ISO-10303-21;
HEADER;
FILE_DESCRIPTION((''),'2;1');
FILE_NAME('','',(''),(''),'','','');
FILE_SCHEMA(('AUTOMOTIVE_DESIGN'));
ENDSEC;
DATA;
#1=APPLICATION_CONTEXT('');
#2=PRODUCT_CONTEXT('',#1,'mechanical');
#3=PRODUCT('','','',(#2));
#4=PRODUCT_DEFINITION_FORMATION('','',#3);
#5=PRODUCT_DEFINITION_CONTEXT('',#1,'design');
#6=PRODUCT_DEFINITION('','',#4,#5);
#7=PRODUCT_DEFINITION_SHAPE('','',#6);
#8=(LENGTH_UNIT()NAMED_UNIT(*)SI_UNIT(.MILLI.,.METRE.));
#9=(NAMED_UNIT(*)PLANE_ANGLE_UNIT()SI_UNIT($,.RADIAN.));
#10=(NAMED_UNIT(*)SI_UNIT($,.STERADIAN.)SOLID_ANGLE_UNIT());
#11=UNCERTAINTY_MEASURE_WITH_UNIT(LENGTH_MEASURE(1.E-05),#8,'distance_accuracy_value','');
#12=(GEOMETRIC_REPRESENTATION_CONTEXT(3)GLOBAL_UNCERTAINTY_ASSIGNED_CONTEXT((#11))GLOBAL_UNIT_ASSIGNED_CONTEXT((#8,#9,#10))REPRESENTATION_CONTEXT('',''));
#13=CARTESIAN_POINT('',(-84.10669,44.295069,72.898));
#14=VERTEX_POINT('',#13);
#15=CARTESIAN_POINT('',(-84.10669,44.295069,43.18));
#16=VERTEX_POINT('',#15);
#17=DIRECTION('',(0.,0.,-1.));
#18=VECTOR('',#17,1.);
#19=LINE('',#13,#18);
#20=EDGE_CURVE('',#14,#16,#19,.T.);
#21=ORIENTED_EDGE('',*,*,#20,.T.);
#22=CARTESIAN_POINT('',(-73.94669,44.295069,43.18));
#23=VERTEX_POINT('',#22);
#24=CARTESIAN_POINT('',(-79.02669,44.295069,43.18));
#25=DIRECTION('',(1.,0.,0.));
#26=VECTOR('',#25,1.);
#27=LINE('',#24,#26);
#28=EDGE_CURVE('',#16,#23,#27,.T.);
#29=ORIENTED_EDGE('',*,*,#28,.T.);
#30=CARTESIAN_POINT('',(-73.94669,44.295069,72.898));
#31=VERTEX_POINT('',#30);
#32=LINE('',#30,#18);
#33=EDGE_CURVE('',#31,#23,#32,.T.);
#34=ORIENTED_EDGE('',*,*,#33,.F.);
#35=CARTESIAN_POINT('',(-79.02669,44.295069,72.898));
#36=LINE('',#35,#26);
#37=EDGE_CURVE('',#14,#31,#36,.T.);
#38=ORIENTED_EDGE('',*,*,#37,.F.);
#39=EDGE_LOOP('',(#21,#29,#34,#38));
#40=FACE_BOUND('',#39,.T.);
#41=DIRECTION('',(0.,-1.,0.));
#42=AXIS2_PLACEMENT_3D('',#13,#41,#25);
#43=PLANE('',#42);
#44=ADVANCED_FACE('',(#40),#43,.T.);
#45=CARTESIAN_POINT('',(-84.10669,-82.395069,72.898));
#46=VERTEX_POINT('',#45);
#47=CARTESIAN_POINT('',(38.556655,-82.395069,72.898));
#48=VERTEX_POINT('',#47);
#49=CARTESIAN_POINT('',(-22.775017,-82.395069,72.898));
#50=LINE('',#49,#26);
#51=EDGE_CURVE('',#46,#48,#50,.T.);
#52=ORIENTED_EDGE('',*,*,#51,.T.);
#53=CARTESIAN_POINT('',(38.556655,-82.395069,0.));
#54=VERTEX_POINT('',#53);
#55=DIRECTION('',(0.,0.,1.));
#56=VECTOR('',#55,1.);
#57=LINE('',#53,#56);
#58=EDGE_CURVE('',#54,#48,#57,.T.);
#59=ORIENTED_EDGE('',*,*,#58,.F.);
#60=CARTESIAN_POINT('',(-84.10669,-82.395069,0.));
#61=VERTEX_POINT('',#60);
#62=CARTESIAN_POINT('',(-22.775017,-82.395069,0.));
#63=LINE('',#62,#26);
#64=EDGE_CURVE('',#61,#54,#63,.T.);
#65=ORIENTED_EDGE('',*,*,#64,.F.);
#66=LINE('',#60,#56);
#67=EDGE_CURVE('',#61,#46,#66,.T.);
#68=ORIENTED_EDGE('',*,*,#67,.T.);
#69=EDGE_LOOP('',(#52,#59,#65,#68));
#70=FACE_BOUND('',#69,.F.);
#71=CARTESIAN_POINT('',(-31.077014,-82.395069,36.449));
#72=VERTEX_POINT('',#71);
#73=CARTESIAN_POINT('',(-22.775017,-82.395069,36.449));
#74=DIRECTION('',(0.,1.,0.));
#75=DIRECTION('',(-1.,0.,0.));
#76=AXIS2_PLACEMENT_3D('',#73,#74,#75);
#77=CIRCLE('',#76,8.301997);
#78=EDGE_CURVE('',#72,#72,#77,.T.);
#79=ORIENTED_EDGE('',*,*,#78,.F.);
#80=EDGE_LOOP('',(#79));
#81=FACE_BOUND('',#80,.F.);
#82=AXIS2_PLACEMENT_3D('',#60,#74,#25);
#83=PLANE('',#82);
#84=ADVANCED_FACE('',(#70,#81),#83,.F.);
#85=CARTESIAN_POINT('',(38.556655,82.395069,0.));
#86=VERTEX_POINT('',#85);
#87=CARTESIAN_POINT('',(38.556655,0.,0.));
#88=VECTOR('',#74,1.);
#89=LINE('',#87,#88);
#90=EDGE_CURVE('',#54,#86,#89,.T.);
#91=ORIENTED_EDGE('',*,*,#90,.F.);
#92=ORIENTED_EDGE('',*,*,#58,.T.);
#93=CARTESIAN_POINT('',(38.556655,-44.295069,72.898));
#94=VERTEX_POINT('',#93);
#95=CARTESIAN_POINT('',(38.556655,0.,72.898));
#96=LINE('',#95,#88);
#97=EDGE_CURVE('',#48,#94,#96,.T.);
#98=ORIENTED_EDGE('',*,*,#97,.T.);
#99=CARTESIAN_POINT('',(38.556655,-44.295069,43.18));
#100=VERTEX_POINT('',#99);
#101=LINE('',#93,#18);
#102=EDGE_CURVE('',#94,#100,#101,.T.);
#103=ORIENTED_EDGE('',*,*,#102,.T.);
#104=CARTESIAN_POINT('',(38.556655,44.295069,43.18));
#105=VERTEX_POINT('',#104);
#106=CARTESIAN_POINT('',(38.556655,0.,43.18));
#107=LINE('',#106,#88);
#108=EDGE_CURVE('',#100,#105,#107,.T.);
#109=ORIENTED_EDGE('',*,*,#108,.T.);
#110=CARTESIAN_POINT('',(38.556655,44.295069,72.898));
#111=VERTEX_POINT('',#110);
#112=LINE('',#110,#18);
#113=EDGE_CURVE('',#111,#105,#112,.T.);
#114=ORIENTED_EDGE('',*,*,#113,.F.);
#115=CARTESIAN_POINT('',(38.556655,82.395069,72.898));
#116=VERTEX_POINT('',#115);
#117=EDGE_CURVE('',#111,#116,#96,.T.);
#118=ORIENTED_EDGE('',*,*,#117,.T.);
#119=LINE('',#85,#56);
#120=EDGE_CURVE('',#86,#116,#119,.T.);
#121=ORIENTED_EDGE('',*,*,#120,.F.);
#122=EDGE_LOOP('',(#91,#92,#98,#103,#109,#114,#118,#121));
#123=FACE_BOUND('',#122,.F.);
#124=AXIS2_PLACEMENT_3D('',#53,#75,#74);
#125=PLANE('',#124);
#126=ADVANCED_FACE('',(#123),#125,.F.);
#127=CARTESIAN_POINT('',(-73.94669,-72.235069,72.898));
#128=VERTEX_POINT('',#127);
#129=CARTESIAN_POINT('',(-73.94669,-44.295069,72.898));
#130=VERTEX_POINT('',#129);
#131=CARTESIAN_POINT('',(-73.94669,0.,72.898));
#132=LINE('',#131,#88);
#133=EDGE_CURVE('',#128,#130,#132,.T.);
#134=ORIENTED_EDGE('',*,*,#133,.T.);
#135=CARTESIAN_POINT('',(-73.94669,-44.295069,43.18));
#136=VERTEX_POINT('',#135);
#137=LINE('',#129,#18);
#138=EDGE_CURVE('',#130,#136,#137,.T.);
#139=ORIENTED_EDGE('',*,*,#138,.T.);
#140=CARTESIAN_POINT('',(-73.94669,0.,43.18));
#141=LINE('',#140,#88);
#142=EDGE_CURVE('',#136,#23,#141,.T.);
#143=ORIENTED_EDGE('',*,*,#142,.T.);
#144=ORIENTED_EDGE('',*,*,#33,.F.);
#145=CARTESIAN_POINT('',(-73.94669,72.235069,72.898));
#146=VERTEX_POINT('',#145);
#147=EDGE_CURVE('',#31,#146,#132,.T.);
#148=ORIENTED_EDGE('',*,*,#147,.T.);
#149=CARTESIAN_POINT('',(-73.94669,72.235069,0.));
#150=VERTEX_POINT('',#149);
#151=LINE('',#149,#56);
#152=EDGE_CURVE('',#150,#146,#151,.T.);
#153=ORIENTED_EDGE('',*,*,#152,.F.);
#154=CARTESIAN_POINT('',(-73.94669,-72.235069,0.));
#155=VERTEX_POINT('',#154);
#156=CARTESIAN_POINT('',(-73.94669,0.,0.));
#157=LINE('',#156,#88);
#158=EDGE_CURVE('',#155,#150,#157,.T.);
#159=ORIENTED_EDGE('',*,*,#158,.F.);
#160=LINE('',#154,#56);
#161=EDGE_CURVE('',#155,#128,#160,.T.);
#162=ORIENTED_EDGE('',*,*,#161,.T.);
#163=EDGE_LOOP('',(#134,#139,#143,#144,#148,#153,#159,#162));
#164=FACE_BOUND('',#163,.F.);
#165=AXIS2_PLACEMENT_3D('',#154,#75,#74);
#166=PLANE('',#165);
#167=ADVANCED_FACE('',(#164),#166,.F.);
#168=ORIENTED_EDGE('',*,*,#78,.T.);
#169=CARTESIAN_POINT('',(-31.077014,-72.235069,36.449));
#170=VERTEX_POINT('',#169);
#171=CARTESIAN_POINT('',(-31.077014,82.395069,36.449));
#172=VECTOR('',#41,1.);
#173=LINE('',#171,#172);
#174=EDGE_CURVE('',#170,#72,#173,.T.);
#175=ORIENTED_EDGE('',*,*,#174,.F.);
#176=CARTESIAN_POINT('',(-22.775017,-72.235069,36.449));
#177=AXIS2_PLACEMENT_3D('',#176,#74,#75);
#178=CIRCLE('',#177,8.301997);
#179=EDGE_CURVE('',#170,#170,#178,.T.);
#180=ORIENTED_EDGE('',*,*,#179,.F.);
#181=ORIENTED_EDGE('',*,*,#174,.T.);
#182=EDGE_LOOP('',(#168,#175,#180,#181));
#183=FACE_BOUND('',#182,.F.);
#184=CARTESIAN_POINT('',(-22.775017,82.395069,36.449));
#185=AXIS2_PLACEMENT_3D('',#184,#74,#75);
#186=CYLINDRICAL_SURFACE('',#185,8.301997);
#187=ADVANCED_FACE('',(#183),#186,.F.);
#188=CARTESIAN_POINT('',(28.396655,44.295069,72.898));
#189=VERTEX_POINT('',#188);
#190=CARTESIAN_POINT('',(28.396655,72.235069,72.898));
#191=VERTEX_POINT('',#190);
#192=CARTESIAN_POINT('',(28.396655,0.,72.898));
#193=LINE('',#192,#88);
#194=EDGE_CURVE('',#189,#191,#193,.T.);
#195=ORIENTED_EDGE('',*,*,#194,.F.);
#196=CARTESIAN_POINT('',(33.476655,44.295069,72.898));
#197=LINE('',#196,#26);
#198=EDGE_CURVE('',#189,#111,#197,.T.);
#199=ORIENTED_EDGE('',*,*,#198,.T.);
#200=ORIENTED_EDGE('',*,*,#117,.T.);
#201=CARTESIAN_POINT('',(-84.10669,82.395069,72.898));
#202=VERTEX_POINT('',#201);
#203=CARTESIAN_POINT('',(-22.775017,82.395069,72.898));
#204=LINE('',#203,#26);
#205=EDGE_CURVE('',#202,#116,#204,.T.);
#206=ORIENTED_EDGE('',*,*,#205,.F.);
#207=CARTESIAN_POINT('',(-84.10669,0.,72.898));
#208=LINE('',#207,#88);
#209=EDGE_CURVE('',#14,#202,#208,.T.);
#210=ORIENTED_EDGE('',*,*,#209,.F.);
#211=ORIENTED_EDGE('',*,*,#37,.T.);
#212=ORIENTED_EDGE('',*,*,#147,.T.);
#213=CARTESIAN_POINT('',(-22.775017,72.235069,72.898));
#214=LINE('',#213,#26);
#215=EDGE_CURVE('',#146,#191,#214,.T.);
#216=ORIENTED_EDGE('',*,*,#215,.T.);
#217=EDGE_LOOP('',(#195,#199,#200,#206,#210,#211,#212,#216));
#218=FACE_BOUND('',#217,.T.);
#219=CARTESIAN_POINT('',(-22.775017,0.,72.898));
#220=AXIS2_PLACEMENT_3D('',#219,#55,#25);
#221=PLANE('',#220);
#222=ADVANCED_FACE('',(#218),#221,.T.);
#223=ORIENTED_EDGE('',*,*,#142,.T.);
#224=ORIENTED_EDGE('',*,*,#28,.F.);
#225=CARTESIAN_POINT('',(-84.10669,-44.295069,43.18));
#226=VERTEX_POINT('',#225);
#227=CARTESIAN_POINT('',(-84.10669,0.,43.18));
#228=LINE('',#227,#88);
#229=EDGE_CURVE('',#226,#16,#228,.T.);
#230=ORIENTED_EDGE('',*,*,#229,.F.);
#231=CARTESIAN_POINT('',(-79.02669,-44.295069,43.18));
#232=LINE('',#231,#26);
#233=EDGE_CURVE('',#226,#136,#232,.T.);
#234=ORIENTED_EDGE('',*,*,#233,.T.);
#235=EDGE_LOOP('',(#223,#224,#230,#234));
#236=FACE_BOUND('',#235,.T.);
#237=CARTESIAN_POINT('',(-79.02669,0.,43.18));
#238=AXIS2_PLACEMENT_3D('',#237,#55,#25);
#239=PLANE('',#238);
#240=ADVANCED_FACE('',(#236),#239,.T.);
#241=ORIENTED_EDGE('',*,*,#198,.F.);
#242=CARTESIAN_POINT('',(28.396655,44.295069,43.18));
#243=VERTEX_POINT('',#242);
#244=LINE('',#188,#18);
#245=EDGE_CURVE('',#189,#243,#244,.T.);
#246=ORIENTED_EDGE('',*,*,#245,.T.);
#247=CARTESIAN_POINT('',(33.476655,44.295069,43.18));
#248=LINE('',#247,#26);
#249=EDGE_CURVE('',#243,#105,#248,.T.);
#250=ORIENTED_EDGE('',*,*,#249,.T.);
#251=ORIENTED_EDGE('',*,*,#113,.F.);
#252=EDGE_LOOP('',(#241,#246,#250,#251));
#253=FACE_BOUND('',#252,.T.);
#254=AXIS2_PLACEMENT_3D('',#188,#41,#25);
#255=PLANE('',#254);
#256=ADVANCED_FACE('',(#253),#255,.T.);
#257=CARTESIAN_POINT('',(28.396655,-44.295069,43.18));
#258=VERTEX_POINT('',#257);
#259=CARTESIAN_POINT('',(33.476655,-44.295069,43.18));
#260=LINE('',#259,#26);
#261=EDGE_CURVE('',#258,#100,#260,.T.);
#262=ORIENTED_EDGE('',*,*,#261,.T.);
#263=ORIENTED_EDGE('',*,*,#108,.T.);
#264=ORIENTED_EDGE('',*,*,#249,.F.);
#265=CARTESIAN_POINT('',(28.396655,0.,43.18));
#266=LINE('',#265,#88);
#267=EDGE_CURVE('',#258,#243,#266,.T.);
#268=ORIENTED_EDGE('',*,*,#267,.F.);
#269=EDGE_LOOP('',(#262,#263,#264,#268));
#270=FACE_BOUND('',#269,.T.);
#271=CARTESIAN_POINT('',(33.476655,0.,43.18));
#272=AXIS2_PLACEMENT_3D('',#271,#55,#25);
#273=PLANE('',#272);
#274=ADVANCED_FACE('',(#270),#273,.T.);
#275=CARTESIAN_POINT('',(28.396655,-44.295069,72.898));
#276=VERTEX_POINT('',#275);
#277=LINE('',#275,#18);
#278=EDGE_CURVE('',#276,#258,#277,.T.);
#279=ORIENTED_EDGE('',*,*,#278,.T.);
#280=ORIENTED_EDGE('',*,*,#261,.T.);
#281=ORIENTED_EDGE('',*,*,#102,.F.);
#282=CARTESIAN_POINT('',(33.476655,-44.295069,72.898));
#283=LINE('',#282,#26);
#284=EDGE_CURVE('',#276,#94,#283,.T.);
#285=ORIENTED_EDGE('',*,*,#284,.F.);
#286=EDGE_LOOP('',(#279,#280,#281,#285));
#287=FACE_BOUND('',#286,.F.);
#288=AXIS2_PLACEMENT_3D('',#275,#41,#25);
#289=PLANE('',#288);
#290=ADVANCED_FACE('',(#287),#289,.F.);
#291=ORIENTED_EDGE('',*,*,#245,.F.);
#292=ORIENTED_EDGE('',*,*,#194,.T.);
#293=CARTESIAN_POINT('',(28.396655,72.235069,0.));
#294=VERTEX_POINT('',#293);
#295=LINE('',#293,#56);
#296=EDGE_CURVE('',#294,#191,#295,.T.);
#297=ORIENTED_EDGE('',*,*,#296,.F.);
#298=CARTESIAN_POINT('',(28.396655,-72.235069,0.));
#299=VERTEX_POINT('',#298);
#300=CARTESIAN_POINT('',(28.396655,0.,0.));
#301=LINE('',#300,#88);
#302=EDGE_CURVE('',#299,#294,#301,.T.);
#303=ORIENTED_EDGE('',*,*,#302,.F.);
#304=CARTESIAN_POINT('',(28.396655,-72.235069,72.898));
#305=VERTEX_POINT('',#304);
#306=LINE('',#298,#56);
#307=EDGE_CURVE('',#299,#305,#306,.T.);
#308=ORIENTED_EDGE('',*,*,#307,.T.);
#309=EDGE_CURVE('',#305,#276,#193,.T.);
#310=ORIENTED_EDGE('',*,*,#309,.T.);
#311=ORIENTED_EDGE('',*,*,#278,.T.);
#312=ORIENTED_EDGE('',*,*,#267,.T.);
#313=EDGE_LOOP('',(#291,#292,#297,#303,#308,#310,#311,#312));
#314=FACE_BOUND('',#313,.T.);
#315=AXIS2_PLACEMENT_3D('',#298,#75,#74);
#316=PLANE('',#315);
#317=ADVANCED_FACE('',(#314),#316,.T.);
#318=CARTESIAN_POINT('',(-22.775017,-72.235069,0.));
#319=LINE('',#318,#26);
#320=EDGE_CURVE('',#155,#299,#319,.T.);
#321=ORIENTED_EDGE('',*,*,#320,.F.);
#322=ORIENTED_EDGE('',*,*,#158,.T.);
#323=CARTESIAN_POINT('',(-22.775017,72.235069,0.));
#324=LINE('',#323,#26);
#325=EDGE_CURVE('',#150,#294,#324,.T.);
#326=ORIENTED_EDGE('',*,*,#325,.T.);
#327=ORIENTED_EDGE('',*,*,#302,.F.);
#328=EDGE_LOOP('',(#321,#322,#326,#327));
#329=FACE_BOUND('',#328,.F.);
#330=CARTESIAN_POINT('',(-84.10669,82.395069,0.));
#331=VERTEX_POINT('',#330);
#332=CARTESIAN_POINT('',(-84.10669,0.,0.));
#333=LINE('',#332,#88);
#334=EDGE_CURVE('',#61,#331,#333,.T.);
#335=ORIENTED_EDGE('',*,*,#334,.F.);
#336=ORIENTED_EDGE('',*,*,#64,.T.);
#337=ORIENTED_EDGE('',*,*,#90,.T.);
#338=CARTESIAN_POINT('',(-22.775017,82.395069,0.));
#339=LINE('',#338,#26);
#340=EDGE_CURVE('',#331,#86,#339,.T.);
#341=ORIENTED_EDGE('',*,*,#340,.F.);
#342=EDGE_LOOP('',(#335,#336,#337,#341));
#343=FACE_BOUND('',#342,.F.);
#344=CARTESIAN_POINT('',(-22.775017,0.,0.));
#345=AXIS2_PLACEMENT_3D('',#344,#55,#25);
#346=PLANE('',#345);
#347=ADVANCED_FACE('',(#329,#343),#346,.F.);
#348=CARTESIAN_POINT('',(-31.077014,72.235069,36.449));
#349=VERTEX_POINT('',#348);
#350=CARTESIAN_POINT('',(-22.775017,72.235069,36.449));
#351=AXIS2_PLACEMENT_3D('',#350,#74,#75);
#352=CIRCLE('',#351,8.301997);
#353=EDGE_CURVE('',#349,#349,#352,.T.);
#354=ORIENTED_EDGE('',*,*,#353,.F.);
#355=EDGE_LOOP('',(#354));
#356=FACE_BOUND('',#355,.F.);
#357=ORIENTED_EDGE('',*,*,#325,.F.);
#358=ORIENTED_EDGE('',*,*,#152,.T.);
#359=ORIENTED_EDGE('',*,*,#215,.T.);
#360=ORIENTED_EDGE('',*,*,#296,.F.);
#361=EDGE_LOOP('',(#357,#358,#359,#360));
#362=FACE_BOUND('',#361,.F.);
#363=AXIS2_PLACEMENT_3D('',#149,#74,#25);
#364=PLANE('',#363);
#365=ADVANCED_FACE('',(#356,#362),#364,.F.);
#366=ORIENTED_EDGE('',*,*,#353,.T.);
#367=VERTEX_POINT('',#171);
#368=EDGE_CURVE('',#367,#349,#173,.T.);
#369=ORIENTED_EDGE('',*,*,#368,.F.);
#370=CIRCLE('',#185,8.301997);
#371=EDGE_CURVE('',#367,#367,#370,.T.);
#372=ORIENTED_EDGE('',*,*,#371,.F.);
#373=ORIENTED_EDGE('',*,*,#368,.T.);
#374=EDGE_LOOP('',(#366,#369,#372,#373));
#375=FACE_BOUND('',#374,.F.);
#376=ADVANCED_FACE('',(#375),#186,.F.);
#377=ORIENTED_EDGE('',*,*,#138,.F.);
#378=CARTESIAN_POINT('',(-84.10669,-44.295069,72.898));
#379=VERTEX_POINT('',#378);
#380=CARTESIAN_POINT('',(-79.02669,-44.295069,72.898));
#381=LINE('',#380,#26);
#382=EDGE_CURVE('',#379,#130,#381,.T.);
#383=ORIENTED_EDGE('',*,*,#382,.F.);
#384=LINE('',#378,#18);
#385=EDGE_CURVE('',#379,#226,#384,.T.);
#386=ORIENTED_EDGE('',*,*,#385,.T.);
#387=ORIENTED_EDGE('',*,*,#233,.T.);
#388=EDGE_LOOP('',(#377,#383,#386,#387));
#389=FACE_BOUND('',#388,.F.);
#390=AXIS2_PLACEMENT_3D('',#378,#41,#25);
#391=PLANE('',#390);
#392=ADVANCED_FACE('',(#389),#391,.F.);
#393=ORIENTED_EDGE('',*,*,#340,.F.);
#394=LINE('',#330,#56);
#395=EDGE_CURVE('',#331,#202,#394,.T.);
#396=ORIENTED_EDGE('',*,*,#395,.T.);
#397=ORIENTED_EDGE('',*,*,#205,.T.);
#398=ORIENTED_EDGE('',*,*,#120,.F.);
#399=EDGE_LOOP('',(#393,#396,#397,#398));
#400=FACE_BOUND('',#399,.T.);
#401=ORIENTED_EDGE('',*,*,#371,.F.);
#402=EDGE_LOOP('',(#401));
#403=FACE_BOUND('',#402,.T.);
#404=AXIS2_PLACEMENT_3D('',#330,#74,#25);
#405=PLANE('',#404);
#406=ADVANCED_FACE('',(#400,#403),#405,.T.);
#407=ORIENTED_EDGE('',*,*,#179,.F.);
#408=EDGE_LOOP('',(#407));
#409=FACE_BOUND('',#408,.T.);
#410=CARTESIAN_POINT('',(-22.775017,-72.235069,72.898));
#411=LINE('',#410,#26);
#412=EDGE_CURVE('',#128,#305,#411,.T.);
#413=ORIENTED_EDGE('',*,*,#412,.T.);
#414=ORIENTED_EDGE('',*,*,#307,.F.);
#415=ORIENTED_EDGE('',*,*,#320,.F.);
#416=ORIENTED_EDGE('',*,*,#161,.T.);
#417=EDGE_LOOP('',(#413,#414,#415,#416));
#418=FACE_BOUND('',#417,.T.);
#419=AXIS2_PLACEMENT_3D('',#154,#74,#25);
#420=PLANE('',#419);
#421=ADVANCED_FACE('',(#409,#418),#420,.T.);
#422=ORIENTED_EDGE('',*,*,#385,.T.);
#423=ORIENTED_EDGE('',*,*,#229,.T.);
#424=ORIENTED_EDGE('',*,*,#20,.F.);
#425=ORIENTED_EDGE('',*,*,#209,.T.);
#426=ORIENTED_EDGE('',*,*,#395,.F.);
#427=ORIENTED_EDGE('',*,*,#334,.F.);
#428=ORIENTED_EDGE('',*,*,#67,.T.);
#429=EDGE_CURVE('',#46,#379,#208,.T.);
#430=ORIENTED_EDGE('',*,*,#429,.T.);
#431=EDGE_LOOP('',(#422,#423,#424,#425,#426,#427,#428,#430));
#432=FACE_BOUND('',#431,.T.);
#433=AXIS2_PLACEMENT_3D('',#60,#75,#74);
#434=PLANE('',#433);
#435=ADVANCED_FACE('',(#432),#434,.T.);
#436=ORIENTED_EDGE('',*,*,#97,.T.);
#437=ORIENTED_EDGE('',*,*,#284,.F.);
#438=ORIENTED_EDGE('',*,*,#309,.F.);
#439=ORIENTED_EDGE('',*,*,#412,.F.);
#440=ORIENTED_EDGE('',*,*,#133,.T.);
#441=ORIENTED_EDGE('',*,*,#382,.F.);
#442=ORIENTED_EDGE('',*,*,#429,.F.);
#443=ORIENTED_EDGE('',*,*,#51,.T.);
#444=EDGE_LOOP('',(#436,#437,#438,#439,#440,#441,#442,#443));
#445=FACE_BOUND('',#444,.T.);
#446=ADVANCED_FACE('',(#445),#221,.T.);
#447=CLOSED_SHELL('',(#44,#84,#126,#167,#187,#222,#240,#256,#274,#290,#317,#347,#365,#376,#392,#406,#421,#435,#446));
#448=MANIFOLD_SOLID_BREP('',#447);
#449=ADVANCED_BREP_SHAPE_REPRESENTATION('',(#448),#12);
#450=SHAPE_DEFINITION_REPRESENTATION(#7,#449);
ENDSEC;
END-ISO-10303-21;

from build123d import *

# Parameters (mm, degrees)
F0_W     = 122.6633450469
F0_H     = 164.7901384103
F0_W_2   = 102.3433450469
F0_H_2   = 144.4701384103
F1_DEPTH = 72.898
F2_R     = 8.301996535
F3_DEPTH = 244.094
F4_W     = 10.16
F4_H     = 88.5901384103
F5_DEPTH = 29.718


with BuildPart() as f1:
    # F0 (on Top) → F1 (new body)
    with BuildSketch(Plane.XY):
        with Locations((-22.7750174733, 0)):
            Rectangle(F0_W, F0_H)
        with Locations((-22.7750174733, 0)):
            Rectangle(F0_W_2, F0_H_2, mode=Mode.SUBTRACT)
    extrude(amount=F1_DEPTH)

    # F2 (on face) → F3 (cut)
    with BuildSketch(Plane(origin=(0, 82.3950692052, 0), x_dir=(-1, 0, 0), z_dir=(0, 1, 0))):
        with Locations((22.7750174733, 36.449)):
            Circle(F2_R)
    extrude(amount=-F3_DEPTH, mode=Mode.SUBTRACT)

    # F4 (on face) → F5 (cut)
    with BuildSketch(Plane.XY.offset(72.898)):
        with Locations((33.4766550502, 0)):
            Rectangle(F4_W, F4_H)
        with Locations((-79.0266899967, 0)):
            Rectangle(F4_W, F4_H)
    extrude(amount=-F5_DEPTH, mode=Mode.SUBTRACT)


solid = f1.part
